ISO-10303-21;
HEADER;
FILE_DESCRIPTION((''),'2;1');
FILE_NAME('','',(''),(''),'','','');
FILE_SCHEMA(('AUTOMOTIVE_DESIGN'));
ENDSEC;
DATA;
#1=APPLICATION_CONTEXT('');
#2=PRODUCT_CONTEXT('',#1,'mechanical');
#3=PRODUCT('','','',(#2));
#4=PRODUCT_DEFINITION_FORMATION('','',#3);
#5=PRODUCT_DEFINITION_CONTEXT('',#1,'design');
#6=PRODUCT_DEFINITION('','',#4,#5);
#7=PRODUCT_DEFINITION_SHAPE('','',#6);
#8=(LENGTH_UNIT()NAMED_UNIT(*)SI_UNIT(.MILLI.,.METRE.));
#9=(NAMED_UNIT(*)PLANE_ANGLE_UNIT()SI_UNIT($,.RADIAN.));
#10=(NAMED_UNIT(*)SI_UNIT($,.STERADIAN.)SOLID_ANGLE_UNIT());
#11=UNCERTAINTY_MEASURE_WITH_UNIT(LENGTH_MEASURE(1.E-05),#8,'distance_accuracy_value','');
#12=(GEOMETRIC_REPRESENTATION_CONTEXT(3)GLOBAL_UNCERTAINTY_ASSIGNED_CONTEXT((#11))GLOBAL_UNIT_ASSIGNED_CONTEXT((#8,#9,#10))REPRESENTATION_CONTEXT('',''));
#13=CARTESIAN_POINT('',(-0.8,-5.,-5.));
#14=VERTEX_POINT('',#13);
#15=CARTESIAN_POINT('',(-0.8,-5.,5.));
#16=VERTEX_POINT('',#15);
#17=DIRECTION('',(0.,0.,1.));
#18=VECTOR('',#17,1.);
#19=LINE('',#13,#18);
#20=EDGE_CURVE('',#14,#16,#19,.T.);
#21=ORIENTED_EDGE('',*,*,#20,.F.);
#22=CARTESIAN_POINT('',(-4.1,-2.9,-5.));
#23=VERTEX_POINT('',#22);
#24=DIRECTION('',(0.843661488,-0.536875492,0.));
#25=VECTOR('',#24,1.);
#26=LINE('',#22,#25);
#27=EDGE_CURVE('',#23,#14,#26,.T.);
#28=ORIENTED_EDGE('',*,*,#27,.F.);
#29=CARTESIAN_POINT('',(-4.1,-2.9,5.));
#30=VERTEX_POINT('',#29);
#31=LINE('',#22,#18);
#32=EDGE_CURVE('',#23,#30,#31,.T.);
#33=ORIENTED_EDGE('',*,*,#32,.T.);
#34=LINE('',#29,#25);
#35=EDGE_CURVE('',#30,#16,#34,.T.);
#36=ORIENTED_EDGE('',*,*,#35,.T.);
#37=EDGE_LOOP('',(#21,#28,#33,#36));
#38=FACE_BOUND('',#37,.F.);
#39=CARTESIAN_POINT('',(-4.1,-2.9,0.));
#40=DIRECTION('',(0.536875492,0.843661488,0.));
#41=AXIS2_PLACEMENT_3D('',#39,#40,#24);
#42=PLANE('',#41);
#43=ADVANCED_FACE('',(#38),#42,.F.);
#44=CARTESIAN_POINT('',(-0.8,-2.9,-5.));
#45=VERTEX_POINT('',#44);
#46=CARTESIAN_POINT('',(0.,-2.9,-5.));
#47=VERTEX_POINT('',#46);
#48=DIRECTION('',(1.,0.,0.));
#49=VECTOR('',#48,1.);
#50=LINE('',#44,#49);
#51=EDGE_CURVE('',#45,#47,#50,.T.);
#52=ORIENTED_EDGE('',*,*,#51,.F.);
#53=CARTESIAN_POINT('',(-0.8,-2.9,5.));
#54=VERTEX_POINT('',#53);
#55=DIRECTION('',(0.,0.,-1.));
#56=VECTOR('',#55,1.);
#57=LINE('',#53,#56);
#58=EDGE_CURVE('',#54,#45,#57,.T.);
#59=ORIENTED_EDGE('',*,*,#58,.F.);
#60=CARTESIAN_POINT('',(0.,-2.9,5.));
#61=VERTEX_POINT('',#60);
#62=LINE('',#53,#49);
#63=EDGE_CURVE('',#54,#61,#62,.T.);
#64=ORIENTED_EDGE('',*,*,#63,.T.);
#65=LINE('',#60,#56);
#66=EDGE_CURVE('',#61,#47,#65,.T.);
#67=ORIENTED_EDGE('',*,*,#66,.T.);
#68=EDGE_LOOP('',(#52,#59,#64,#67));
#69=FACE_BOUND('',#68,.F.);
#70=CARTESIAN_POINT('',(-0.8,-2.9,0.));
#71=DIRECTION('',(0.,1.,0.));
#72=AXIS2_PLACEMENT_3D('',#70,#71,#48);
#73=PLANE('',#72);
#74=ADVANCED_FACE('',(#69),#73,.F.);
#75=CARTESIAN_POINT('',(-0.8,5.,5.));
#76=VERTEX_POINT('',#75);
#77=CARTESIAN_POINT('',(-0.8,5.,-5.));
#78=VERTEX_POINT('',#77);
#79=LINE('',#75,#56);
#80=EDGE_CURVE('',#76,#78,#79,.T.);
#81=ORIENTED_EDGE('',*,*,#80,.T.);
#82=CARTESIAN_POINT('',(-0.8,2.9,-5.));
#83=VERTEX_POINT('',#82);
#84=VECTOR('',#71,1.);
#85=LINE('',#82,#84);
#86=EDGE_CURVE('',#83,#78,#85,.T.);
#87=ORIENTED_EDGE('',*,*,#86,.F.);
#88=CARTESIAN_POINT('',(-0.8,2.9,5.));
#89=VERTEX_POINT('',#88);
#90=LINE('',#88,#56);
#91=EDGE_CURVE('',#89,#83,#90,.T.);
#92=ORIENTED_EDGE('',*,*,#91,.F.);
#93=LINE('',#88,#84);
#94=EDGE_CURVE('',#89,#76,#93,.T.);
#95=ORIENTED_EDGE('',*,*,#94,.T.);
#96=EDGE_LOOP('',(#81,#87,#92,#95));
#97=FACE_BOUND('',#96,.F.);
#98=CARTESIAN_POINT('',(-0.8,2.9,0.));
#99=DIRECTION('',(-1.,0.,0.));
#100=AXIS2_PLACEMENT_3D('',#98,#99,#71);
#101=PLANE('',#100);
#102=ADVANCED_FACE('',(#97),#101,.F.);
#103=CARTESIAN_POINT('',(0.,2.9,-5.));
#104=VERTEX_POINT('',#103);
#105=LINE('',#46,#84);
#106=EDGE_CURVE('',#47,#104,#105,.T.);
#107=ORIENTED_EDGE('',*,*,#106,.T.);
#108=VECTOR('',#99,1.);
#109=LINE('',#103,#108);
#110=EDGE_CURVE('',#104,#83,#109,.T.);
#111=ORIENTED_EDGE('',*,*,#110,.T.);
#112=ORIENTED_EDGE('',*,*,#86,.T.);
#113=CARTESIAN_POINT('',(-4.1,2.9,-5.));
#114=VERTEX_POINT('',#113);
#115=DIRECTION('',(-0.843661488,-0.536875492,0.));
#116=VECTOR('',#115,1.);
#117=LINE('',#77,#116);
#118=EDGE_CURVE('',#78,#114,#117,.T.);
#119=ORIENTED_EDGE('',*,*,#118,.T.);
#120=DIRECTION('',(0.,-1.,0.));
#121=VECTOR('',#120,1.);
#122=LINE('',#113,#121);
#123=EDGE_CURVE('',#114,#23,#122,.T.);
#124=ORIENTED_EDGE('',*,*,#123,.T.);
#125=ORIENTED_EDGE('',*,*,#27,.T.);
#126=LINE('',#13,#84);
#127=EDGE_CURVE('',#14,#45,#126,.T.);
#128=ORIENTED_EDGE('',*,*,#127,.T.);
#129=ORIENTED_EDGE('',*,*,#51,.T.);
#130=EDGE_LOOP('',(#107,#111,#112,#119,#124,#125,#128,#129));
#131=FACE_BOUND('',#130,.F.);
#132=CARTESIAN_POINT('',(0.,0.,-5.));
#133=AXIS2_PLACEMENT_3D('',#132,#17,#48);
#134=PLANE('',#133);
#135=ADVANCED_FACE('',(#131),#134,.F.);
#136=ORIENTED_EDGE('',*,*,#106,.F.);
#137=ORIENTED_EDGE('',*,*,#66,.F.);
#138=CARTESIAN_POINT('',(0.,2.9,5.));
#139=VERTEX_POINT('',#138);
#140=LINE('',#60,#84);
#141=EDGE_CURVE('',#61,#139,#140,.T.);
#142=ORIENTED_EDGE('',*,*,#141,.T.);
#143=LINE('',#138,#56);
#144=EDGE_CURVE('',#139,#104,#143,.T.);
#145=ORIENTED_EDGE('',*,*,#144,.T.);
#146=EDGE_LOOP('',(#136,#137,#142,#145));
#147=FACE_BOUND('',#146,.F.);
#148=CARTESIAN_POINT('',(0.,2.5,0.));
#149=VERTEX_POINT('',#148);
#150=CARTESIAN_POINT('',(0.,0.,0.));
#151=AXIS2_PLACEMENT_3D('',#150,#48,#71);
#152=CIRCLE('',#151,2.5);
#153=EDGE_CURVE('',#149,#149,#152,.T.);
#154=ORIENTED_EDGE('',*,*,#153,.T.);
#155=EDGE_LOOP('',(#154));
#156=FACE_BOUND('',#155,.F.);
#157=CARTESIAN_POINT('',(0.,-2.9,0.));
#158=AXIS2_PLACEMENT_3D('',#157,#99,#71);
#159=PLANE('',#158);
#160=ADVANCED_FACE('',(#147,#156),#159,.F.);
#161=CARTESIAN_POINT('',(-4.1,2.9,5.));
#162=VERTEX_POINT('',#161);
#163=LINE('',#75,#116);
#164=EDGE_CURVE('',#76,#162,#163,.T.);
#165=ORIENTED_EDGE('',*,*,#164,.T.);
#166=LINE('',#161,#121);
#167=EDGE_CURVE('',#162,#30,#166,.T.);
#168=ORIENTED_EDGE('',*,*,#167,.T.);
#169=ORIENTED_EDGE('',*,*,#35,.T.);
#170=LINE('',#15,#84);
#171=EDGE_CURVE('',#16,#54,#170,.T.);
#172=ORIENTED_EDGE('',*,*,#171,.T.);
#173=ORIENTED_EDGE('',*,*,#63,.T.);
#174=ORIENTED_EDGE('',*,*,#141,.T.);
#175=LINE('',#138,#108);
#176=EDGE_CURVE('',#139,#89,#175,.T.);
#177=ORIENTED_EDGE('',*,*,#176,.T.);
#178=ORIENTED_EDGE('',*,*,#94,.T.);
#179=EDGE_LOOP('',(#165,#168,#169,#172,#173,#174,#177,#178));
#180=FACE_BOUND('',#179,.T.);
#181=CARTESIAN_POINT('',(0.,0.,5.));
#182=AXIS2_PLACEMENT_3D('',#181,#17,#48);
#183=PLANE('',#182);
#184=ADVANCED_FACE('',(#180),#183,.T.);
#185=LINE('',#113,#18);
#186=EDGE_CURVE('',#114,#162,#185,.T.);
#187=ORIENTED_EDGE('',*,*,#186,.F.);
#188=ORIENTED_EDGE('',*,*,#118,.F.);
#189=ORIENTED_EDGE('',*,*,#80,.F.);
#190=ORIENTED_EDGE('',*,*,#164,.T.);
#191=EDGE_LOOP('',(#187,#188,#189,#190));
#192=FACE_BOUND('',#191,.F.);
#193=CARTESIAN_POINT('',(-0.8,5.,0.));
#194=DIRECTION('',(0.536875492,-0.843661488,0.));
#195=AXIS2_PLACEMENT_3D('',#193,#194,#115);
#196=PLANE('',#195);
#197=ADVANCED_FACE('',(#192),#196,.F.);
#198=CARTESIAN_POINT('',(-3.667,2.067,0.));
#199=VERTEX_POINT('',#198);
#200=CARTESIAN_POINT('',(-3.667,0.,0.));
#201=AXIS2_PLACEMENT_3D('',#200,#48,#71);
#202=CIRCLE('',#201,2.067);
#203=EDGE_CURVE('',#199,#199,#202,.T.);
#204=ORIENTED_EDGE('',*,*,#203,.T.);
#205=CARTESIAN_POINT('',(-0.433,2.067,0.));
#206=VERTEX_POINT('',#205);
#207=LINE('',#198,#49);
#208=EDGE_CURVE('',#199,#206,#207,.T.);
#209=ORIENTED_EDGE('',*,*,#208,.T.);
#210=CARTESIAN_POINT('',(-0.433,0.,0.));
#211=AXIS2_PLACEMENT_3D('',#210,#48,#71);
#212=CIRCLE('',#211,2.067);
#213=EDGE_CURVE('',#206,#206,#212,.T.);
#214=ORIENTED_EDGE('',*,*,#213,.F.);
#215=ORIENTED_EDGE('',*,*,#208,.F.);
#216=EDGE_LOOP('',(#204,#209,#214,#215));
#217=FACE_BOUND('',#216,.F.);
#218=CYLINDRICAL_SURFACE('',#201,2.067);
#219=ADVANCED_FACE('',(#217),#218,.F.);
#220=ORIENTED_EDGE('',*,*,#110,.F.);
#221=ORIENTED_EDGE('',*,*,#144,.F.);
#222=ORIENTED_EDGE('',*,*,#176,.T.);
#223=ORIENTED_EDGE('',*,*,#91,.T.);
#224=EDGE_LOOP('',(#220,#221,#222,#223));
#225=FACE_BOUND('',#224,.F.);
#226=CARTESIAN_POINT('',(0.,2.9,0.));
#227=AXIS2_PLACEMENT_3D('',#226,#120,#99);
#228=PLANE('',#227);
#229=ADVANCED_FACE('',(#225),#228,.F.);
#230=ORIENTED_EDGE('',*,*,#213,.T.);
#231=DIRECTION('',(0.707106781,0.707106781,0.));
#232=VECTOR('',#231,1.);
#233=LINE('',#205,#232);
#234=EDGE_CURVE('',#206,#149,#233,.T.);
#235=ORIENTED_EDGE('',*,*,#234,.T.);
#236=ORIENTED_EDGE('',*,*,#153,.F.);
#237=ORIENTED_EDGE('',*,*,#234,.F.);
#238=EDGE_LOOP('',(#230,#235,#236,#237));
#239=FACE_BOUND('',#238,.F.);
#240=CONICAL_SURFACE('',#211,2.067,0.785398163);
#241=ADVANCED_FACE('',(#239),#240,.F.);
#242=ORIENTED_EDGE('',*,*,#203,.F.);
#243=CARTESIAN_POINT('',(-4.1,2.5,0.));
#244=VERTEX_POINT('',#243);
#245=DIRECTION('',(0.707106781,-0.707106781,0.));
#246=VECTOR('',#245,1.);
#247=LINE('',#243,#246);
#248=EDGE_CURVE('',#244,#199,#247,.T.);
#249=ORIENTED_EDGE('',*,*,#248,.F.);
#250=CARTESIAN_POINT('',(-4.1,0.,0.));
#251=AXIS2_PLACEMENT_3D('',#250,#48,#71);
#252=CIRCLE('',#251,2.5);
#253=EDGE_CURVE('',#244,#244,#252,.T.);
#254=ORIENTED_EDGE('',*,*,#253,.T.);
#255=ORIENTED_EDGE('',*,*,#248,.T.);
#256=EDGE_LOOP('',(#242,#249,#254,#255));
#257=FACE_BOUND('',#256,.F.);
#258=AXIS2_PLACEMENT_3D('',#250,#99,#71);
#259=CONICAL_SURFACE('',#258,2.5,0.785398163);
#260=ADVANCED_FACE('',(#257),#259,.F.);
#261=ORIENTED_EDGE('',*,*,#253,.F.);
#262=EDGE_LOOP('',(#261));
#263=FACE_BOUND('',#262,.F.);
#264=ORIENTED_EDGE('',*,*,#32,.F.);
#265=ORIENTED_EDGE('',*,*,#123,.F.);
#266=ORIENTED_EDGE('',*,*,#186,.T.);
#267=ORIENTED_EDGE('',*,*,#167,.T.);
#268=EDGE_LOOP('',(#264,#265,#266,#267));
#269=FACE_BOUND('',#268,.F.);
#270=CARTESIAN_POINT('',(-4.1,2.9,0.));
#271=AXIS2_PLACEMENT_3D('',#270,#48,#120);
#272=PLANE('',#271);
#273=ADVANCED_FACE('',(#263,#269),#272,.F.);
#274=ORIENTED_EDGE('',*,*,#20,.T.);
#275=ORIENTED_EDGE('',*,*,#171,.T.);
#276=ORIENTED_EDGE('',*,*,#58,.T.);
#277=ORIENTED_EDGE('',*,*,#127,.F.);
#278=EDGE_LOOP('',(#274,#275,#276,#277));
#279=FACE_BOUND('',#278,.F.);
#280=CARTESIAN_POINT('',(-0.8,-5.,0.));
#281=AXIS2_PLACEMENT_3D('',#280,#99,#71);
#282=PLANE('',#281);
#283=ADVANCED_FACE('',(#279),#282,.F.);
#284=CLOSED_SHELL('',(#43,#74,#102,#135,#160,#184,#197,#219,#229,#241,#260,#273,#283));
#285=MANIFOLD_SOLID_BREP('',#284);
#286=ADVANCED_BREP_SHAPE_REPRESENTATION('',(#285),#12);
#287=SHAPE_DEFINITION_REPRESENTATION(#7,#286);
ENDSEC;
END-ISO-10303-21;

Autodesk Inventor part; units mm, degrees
sketch "Sketch_4" plane through (0, 0, 0) normal (0, 0, 1) x (1, 0, 0)
  line L0 (-4.1, 2.9) -> (-4.1, -2.9)
  line L1 (-4.1, -2.9) -> (-0.8, -5)
  line L2 (-0.8, -5) -> (-0.8, -2.9)
  line L3 (-0.8, -2.9) -> (0, -2.9)
  line L4 (0, -2.9) -> (0, 2.9)
  line L5 (0, 2.9) -> (-0.8, 2.9)
  line L6 (-0.8, 2.9) -> (-0.8, 5)
  line L7 (-0.8, 5) -> (-4.1, 2.9)
extrude "Extrusion1" add sketch "Sketch_4" along normal mid plane 10
sketch "Sketch_5" plane through (0, 0, 0) normal (0, 0, 1) x (1, 0, 0)
  line L0 (0, 0) -> (-4.1, 0)
  line L1 (-4.1, 0) -> (-4.1, 2.5)
  line L2 (-4.1, 2.5) -> (-3.667, 2.067)
  line L3 (-3.667, 2.067) -> (-0.433, 2.067)
  line L4 (-0.433, 2.067) -> (0, 2.5)
  line L5 (0, 2.5) -> (0, 0)
  line L6 (0, 0) -> (-4.1, 0)
revolve "Revolution1" cut sketch "Sketch_5" angle 360 about axis through (0, 0, 0) along (1, 0, 0)
thread "Thread1" size "M5x0.8" class "6H" standard "ISO Metric profile" full length
ref_plane "nut_XY" through (0, 0, 0) normal (1, 0, 0) x (0, 0, -1)
ref_plane "nut_YZ" through (0, 0, 0) normal (0, 0, -1) x (0, 1, 0)
ref_plane "nut_ZX" through (0, 0, 0) normal (0, 1, 0) x (1, 0, 0)
ref_plane "to_bolt_XY" through (-4.1, 0, 0) normal (1, 0, 0) x (0, 0, -1)
ref_plane "to_bolt_YZ" through (-4.1, 0, 0) normal (0, 0, -1) x (0, 1, 0)
ref_plane "to_bolt_ZX" through (-4.1, 0, 0) normal (0, 1, 0) x (1, 0, 0)
ref_plane "to_frames_XY" through (-0.8, 0, 0) normal (1, 0, 0) x (0, 0, -1)
ref_plane "to_frames_YZ" through (-0.8, 0, 0) normal (0, 0, -1) x (0, 1, 0)
ref_plane "to_frames_ZX" through (-0.8, 0, 0) normal (0, 1, 0) x (1, 0, 0)
properties part number "HNTT5-5_1"
